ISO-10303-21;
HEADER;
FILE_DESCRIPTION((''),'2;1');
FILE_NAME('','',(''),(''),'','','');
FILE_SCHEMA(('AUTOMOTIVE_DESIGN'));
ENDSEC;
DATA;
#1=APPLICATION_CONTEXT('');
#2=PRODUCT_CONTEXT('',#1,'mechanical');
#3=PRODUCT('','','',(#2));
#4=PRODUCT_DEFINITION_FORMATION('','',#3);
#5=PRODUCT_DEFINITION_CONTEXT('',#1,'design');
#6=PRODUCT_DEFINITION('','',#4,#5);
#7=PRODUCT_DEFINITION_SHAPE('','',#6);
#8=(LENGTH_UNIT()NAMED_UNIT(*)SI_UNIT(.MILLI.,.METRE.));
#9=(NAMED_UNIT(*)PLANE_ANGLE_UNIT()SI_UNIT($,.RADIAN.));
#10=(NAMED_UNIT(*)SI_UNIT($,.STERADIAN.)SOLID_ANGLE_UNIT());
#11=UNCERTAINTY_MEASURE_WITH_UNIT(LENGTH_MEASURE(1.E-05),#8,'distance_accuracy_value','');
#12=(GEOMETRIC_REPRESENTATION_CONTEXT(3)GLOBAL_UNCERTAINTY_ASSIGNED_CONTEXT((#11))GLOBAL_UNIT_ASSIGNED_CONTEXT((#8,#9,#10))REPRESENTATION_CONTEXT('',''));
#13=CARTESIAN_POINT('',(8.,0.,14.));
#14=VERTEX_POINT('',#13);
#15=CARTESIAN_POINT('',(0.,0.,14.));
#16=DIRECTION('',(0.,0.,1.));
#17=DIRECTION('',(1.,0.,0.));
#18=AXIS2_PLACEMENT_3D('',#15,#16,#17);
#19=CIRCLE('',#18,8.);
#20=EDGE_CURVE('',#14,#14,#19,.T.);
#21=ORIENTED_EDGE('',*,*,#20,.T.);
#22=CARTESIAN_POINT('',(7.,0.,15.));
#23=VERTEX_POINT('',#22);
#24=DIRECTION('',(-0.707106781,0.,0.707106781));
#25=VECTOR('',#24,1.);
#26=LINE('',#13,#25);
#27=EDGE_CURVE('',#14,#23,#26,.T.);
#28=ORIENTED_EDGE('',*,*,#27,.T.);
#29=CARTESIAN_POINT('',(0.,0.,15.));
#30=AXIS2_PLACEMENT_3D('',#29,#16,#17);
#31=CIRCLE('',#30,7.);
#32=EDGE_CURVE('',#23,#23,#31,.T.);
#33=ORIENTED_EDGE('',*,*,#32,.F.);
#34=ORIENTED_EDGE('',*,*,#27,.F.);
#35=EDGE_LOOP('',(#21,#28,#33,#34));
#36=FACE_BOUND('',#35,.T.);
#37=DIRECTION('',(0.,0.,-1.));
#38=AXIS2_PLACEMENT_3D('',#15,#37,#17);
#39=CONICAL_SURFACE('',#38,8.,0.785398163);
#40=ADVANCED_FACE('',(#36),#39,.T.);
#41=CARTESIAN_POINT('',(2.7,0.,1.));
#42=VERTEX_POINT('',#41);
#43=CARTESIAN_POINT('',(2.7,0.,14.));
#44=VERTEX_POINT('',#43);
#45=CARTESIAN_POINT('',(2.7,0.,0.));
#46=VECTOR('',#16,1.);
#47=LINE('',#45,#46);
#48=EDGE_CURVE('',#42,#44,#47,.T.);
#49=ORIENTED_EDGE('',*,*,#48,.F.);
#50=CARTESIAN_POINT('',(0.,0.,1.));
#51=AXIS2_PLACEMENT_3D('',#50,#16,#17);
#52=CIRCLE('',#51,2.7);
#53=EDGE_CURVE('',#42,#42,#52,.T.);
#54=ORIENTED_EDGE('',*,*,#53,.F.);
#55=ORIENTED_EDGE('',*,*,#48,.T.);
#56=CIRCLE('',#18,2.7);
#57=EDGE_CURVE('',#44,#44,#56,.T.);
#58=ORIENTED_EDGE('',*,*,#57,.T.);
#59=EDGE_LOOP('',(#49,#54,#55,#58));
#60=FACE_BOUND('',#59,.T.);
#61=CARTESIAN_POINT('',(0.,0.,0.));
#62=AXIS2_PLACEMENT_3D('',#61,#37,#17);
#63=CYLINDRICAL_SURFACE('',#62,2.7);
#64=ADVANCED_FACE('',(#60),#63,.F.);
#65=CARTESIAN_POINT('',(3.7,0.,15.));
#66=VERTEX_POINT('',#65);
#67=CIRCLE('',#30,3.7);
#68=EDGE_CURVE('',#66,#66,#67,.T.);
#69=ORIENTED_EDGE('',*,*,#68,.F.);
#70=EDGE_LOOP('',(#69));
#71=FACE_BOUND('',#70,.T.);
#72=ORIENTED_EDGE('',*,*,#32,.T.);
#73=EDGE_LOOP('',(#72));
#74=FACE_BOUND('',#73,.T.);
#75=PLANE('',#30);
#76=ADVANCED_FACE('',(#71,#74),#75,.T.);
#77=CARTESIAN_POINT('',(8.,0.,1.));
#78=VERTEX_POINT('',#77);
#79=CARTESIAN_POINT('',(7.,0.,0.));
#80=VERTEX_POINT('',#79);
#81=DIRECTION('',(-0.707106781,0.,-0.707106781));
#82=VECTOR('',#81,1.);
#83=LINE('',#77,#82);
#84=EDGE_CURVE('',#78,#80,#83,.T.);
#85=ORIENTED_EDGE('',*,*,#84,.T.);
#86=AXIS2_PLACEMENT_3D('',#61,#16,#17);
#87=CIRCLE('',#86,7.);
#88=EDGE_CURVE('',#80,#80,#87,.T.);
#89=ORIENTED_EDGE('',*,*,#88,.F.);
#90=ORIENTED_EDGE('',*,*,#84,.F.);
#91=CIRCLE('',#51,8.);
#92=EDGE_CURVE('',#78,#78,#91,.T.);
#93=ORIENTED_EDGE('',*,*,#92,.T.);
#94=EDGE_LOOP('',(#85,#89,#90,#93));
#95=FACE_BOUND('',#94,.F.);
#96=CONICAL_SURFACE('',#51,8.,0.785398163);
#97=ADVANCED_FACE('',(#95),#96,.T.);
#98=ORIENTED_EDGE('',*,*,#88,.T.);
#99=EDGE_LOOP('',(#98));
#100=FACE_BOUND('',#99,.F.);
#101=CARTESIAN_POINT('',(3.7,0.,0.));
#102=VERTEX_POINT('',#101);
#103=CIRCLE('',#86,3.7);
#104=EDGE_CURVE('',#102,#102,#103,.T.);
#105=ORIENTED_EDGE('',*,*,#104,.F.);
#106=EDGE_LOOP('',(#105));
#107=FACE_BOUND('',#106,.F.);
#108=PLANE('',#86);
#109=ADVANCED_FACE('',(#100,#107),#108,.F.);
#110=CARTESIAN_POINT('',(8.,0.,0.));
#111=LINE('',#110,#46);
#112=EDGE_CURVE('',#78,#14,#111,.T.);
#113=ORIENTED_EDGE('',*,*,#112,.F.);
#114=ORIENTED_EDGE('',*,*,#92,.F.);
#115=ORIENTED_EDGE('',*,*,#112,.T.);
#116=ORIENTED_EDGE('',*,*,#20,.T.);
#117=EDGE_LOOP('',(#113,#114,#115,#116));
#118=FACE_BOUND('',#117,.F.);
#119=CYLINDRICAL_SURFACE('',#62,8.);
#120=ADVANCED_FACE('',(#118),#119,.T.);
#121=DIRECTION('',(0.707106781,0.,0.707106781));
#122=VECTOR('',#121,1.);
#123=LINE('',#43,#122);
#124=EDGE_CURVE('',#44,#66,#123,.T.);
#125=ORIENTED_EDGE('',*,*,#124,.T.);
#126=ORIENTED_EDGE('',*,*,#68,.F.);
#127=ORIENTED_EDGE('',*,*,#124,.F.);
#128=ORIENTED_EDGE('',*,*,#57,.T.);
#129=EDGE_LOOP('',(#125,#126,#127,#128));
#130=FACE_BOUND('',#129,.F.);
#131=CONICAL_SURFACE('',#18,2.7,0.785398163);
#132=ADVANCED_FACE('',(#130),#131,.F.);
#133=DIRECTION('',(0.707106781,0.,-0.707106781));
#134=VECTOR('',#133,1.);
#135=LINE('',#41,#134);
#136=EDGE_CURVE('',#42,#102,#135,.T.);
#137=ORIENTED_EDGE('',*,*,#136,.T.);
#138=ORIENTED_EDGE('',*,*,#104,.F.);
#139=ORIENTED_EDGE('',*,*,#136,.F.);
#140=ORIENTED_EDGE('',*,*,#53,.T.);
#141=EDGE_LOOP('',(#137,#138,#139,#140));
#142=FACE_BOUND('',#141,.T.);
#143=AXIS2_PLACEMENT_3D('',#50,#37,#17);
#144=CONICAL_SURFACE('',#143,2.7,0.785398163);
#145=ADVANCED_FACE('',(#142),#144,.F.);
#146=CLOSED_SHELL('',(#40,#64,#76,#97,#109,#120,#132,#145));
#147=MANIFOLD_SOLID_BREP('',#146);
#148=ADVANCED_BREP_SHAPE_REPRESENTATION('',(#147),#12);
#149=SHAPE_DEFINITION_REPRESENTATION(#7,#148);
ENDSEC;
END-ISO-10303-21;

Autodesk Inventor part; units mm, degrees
ref_plane "YZ Plane" through (0, 0, 0) normal (1, 0, 0) x (0, 1, 0)
ref_plane "XZ Plane" through (0, 0, 0) normal (0, 1, 0) x (-1, 0, 0)
ref_plane "XY Plane" through (0, 0, 0) normal (0, 0, 1) x (1, 0, 0)
sketch "Sketch1" plane through (0, 0, 0) normal (0, 0, 1) x (1, 0, 0)
  circle A0 centre (0, 0) radius 2.7
  circle A1 centre (0, 0) radius 8
  dimension "d0" = 5.4
  dimension "d1" = 16
extrude "Extrusion1" add sketch "Sketch1" along normal blind 15
chamfer "Chamfer1" distance 1 angle 45 4 edges at (-8, 0, 15) (-2.7, 0, 15) (-2.7, 0, 0) (-8, 0, 0)
properties part number "Hammer_Peg"
